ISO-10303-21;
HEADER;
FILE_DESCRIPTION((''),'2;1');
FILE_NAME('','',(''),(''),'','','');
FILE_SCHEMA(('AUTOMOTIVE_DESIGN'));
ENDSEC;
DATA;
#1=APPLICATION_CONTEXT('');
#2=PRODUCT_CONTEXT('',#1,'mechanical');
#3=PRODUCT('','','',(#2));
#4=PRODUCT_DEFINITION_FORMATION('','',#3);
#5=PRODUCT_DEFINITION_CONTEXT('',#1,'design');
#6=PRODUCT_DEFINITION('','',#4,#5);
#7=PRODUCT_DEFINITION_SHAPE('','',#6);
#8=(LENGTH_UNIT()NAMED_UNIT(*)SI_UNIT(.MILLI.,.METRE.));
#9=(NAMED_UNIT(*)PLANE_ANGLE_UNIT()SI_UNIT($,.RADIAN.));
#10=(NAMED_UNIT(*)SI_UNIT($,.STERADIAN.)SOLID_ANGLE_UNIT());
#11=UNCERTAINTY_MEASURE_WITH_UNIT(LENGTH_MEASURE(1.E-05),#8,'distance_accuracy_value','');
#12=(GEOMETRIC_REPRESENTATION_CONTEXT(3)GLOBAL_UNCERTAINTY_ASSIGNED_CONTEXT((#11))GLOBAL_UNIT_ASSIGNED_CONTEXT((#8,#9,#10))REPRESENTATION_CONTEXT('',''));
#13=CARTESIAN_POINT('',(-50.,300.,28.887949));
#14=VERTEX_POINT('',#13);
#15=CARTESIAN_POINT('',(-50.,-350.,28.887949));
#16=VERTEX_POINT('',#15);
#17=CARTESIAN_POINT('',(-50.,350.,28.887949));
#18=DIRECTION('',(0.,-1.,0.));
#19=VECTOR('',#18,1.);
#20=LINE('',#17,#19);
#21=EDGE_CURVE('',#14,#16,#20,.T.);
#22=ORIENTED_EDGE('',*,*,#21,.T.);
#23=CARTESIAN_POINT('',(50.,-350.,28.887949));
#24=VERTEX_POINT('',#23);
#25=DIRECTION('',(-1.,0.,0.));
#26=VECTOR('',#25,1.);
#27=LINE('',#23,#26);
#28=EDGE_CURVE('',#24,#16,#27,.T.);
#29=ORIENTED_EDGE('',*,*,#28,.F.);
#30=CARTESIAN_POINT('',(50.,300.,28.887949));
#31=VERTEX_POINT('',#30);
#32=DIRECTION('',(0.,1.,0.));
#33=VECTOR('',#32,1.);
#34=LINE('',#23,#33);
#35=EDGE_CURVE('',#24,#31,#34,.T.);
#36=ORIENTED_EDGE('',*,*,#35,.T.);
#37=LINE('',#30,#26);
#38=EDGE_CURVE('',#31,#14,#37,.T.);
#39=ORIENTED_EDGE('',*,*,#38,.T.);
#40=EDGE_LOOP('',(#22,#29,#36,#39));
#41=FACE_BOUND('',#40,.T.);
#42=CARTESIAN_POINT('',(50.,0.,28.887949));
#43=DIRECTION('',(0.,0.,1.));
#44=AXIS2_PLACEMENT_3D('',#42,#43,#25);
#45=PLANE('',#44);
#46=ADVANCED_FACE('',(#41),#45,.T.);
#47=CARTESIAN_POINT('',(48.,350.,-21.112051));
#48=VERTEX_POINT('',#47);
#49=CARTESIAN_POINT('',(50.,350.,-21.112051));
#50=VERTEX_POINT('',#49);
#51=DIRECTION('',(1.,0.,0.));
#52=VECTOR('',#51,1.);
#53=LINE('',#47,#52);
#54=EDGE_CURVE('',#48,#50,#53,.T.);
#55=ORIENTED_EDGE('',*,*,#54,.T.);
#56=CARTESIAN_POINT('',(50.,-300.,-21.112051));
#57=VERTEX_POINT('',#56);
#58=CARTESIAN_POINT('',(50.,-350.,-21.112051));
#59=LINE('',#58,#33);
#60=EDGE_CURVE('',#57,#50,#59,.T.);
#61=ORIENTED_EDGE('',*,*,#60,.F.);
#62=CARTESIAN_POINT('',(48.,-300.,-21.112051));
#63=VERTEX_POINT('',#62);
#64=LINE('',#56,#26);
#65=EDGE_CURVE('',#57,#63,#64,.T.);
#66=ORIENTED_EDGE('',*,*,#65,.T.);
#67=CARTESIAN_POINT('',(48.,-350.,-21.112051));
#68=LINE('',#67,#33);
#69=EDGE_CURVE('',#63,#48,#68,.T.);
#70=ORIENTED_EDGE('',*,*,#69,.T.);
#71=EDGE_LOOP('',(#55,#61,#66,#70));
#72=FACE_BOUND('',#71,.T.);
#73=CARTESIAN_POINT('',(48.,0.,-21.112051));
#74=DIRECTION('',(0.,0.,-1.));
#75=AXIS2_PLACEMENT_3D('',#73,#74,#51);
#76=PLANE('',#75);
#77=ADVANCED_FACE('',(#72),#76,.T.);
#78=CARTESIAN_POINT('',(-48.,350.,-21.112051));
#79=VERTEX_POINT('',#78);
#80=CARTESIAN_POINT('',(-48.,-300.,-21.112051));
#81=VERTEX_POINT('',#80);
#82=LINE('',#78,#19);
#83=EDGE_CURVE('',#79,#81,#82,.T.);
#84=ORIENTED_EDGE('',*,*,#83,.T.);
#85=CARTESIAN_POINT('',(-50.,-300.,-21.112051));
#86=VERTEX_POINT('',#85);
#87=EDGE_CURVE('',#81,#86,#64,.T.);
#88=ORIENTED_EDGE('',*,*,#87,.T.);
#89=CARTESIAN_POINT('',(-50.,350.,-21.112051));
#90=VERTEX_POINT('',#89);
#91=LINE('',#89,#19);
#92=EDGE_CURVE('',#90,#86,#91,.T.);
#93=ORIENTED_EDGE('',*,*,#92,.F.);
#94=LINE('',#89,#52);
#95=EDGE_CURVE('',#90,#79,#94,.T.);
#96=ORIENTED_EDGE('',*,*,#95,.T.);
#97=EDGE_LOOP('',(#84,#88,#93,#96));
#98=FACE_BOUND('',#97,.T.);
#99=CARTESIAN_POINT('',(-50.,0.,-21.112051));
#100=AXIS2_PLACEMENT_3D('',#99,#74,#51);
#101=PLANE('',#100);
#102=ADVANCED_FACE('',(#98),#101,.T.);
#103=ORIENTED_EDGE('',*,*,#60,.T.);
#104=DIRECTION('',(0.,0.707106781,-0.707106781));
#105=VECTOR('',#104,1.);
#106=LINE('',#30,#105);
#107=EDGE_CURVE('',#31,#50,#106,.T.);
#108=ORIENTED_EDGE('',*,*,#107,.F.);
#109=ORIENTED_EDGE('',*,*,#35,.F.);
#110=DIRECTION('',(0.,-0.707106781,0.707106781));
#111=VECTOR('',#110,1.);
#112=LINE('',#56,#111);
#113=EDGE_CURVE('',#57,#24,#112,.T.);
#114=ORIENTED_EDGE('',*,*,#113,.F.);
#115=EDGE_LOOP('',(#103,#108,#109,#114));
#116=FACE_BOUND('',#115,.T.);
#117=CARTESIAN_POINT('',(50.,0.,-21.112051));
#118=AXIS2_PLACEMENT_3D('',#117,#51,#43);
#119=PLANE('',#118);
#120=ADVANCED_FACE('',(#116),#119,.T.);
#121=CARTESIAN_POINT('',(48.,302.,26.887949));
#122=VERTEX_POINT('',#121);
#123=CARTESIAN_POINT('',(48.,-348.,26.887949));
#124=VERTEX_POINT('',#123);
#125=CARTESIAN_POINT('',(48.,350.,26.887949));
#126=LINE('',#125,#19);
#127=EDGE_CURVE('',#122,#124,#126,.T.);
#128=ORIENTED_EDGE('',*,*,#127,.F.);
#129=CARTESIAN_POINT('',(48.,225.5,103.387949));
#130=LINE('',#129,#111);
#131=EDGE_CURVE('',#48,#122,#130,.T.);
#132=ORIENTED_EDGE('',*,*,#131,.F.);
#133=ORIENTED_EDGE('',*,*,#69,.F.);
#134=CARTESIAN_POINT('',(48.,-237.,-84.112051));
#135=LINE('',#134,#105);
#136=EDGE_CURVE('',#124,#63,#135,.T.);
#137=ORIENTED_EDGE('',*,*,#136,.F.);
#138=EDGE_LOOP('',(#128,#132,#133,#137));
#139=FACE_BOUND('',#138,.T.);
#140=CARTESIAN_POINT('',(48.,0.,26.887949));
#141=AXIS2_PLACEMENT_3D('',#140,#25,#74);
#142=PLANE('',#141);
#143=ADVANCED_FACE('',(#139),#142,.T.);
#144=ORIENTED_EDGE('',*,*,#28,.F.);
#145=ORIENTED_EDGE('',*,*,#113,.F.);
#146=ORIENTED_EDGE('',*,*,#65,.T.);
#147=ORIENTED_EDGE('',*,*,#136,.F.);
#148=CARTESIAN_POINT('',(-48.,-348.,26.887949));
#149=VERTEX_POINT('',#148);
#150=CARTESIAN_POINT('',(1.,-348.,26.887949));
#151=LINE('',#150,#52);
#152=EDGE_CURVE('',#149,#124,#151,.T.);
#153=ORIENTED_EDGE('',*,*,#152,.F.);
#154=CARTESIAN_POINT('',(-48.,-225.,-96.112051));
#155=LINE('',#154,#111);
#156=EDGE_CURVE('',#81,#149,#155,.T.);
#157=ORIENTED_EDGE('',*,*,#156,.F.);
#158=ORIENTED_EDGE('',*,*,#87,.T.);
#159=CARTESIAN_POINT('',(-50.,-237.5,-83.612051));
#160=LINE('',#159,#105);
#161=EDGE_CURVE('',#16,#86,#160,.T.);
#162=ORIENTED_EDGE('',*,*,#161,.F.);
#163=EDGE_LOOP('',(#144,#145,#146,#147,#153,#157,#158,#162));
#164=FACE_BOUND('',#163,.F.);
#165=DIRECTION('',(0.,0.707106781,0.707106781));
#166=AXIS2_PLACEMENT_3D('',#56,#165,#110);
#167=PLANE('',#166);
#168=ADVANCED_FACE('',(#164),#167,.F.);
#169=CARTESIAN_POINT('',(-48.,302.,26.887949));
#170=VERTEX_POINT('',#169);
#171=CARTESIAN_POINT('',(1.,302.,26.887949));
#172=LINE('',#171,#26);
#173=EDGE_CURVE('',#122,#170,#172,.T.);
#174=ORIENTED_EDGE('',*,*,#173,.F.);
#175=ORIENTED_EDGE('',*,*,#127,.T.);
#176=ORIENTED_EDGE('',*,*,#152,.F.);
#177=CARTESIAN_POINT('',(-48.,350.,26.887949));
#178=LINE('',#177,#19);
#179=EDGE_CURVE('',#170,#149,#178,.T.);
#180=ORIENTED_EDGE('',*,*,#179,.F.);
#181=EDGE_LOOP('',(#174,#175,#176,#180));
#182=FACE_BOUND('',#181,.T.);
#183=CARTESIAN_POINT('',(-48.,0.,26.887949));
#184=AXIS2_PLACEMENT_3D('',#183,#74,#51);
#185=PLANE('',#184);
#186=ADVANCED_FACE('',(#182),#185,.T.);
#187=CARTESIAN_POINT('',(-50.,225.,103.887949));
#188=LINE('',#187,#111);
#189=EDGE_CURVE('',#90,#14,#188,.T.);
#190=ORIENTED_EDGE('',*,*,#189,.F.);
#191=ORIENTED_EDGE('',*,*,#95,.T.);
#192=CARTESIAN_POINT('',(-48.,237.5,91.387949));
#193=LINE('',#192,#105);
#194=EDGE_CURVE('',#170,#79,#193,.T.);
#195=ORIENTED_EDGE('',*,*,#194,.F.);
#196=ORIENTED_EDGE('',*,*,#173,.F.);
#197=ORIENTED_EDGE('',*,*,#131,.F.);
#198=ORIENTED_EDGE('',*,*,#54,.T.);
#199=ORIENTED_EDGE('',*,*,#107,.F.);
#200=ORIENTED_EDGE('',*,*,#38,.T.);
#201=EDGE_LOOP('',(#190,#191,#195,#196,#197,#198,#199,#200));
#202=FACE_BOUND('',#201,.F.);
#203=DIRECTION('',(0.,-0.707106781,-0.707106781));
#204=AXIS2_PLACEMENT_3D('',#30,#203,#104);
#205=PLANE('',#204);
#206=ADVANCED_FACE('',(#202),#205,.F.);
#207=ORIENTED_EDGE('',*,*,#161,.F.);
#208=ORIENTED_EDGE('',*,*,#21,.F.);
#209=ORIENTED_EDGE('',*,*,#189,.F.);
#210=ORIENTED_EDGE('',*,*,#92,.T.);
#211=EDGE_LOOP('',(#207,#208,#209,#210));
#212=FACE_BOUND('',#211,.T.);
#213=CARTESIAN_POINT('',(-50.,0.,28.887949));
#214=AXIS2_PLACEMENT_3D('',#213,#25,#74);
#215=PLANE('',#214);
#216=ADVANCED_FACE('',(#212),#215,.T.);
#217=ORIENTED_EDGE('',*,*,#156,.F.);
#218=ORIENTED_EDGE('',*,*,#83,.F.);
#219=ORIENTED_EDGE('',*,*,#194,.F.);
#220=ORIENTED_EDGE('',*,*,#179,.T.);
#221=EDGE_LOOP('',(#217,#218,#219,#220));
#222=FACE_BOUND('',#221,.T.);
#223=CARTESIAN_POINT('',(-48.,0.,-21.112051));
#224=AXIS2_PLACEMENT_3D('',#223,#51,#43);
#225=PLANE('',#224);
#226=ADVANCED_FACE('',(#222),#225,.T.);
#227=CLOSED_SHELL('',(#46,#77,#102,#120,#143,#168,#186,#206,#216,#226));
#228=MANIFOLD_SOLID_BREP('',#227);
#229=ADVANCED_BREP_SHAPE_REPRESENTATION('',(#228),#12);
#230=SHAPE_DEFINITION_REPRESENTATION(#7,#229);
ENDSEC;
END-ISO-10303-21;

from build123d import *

# Parameters (mm, degrees)
F1_DEPTH = 350
F3_DEPTH = 100.001


with BuildPart() as f1:
    # F0 (on Front) → F1 (new body, symmetric)
    with BuildSketch(Plane.XZ):
        Polygon((50, 28.887949), (0, 28.887949), (-50, 28.887949), (-50, -21.112051), (-48, -21.112051), (-48, 26.887949), (0, 26.887949), (48, 26.887949), (48, -21.112051), (50, -21.112051), align=None)
    extrude(amount=F1_DEPTH, both=True)

    # F2 (on face) → F3 (cut, through all)
    with BuildSketch(Plane.YZ.offset(50)):
        Polygon((-300, -21.112051), (-350, 28.887949), (-350, -21.112051), align=None)
        Polygon((350, 28.887949), (300, 28.887949), (350, -21.112051), align=None)
    extrude(amount=-F3_DEPTH, mode=Mode.SUBTRACT)


solid = f1.part
